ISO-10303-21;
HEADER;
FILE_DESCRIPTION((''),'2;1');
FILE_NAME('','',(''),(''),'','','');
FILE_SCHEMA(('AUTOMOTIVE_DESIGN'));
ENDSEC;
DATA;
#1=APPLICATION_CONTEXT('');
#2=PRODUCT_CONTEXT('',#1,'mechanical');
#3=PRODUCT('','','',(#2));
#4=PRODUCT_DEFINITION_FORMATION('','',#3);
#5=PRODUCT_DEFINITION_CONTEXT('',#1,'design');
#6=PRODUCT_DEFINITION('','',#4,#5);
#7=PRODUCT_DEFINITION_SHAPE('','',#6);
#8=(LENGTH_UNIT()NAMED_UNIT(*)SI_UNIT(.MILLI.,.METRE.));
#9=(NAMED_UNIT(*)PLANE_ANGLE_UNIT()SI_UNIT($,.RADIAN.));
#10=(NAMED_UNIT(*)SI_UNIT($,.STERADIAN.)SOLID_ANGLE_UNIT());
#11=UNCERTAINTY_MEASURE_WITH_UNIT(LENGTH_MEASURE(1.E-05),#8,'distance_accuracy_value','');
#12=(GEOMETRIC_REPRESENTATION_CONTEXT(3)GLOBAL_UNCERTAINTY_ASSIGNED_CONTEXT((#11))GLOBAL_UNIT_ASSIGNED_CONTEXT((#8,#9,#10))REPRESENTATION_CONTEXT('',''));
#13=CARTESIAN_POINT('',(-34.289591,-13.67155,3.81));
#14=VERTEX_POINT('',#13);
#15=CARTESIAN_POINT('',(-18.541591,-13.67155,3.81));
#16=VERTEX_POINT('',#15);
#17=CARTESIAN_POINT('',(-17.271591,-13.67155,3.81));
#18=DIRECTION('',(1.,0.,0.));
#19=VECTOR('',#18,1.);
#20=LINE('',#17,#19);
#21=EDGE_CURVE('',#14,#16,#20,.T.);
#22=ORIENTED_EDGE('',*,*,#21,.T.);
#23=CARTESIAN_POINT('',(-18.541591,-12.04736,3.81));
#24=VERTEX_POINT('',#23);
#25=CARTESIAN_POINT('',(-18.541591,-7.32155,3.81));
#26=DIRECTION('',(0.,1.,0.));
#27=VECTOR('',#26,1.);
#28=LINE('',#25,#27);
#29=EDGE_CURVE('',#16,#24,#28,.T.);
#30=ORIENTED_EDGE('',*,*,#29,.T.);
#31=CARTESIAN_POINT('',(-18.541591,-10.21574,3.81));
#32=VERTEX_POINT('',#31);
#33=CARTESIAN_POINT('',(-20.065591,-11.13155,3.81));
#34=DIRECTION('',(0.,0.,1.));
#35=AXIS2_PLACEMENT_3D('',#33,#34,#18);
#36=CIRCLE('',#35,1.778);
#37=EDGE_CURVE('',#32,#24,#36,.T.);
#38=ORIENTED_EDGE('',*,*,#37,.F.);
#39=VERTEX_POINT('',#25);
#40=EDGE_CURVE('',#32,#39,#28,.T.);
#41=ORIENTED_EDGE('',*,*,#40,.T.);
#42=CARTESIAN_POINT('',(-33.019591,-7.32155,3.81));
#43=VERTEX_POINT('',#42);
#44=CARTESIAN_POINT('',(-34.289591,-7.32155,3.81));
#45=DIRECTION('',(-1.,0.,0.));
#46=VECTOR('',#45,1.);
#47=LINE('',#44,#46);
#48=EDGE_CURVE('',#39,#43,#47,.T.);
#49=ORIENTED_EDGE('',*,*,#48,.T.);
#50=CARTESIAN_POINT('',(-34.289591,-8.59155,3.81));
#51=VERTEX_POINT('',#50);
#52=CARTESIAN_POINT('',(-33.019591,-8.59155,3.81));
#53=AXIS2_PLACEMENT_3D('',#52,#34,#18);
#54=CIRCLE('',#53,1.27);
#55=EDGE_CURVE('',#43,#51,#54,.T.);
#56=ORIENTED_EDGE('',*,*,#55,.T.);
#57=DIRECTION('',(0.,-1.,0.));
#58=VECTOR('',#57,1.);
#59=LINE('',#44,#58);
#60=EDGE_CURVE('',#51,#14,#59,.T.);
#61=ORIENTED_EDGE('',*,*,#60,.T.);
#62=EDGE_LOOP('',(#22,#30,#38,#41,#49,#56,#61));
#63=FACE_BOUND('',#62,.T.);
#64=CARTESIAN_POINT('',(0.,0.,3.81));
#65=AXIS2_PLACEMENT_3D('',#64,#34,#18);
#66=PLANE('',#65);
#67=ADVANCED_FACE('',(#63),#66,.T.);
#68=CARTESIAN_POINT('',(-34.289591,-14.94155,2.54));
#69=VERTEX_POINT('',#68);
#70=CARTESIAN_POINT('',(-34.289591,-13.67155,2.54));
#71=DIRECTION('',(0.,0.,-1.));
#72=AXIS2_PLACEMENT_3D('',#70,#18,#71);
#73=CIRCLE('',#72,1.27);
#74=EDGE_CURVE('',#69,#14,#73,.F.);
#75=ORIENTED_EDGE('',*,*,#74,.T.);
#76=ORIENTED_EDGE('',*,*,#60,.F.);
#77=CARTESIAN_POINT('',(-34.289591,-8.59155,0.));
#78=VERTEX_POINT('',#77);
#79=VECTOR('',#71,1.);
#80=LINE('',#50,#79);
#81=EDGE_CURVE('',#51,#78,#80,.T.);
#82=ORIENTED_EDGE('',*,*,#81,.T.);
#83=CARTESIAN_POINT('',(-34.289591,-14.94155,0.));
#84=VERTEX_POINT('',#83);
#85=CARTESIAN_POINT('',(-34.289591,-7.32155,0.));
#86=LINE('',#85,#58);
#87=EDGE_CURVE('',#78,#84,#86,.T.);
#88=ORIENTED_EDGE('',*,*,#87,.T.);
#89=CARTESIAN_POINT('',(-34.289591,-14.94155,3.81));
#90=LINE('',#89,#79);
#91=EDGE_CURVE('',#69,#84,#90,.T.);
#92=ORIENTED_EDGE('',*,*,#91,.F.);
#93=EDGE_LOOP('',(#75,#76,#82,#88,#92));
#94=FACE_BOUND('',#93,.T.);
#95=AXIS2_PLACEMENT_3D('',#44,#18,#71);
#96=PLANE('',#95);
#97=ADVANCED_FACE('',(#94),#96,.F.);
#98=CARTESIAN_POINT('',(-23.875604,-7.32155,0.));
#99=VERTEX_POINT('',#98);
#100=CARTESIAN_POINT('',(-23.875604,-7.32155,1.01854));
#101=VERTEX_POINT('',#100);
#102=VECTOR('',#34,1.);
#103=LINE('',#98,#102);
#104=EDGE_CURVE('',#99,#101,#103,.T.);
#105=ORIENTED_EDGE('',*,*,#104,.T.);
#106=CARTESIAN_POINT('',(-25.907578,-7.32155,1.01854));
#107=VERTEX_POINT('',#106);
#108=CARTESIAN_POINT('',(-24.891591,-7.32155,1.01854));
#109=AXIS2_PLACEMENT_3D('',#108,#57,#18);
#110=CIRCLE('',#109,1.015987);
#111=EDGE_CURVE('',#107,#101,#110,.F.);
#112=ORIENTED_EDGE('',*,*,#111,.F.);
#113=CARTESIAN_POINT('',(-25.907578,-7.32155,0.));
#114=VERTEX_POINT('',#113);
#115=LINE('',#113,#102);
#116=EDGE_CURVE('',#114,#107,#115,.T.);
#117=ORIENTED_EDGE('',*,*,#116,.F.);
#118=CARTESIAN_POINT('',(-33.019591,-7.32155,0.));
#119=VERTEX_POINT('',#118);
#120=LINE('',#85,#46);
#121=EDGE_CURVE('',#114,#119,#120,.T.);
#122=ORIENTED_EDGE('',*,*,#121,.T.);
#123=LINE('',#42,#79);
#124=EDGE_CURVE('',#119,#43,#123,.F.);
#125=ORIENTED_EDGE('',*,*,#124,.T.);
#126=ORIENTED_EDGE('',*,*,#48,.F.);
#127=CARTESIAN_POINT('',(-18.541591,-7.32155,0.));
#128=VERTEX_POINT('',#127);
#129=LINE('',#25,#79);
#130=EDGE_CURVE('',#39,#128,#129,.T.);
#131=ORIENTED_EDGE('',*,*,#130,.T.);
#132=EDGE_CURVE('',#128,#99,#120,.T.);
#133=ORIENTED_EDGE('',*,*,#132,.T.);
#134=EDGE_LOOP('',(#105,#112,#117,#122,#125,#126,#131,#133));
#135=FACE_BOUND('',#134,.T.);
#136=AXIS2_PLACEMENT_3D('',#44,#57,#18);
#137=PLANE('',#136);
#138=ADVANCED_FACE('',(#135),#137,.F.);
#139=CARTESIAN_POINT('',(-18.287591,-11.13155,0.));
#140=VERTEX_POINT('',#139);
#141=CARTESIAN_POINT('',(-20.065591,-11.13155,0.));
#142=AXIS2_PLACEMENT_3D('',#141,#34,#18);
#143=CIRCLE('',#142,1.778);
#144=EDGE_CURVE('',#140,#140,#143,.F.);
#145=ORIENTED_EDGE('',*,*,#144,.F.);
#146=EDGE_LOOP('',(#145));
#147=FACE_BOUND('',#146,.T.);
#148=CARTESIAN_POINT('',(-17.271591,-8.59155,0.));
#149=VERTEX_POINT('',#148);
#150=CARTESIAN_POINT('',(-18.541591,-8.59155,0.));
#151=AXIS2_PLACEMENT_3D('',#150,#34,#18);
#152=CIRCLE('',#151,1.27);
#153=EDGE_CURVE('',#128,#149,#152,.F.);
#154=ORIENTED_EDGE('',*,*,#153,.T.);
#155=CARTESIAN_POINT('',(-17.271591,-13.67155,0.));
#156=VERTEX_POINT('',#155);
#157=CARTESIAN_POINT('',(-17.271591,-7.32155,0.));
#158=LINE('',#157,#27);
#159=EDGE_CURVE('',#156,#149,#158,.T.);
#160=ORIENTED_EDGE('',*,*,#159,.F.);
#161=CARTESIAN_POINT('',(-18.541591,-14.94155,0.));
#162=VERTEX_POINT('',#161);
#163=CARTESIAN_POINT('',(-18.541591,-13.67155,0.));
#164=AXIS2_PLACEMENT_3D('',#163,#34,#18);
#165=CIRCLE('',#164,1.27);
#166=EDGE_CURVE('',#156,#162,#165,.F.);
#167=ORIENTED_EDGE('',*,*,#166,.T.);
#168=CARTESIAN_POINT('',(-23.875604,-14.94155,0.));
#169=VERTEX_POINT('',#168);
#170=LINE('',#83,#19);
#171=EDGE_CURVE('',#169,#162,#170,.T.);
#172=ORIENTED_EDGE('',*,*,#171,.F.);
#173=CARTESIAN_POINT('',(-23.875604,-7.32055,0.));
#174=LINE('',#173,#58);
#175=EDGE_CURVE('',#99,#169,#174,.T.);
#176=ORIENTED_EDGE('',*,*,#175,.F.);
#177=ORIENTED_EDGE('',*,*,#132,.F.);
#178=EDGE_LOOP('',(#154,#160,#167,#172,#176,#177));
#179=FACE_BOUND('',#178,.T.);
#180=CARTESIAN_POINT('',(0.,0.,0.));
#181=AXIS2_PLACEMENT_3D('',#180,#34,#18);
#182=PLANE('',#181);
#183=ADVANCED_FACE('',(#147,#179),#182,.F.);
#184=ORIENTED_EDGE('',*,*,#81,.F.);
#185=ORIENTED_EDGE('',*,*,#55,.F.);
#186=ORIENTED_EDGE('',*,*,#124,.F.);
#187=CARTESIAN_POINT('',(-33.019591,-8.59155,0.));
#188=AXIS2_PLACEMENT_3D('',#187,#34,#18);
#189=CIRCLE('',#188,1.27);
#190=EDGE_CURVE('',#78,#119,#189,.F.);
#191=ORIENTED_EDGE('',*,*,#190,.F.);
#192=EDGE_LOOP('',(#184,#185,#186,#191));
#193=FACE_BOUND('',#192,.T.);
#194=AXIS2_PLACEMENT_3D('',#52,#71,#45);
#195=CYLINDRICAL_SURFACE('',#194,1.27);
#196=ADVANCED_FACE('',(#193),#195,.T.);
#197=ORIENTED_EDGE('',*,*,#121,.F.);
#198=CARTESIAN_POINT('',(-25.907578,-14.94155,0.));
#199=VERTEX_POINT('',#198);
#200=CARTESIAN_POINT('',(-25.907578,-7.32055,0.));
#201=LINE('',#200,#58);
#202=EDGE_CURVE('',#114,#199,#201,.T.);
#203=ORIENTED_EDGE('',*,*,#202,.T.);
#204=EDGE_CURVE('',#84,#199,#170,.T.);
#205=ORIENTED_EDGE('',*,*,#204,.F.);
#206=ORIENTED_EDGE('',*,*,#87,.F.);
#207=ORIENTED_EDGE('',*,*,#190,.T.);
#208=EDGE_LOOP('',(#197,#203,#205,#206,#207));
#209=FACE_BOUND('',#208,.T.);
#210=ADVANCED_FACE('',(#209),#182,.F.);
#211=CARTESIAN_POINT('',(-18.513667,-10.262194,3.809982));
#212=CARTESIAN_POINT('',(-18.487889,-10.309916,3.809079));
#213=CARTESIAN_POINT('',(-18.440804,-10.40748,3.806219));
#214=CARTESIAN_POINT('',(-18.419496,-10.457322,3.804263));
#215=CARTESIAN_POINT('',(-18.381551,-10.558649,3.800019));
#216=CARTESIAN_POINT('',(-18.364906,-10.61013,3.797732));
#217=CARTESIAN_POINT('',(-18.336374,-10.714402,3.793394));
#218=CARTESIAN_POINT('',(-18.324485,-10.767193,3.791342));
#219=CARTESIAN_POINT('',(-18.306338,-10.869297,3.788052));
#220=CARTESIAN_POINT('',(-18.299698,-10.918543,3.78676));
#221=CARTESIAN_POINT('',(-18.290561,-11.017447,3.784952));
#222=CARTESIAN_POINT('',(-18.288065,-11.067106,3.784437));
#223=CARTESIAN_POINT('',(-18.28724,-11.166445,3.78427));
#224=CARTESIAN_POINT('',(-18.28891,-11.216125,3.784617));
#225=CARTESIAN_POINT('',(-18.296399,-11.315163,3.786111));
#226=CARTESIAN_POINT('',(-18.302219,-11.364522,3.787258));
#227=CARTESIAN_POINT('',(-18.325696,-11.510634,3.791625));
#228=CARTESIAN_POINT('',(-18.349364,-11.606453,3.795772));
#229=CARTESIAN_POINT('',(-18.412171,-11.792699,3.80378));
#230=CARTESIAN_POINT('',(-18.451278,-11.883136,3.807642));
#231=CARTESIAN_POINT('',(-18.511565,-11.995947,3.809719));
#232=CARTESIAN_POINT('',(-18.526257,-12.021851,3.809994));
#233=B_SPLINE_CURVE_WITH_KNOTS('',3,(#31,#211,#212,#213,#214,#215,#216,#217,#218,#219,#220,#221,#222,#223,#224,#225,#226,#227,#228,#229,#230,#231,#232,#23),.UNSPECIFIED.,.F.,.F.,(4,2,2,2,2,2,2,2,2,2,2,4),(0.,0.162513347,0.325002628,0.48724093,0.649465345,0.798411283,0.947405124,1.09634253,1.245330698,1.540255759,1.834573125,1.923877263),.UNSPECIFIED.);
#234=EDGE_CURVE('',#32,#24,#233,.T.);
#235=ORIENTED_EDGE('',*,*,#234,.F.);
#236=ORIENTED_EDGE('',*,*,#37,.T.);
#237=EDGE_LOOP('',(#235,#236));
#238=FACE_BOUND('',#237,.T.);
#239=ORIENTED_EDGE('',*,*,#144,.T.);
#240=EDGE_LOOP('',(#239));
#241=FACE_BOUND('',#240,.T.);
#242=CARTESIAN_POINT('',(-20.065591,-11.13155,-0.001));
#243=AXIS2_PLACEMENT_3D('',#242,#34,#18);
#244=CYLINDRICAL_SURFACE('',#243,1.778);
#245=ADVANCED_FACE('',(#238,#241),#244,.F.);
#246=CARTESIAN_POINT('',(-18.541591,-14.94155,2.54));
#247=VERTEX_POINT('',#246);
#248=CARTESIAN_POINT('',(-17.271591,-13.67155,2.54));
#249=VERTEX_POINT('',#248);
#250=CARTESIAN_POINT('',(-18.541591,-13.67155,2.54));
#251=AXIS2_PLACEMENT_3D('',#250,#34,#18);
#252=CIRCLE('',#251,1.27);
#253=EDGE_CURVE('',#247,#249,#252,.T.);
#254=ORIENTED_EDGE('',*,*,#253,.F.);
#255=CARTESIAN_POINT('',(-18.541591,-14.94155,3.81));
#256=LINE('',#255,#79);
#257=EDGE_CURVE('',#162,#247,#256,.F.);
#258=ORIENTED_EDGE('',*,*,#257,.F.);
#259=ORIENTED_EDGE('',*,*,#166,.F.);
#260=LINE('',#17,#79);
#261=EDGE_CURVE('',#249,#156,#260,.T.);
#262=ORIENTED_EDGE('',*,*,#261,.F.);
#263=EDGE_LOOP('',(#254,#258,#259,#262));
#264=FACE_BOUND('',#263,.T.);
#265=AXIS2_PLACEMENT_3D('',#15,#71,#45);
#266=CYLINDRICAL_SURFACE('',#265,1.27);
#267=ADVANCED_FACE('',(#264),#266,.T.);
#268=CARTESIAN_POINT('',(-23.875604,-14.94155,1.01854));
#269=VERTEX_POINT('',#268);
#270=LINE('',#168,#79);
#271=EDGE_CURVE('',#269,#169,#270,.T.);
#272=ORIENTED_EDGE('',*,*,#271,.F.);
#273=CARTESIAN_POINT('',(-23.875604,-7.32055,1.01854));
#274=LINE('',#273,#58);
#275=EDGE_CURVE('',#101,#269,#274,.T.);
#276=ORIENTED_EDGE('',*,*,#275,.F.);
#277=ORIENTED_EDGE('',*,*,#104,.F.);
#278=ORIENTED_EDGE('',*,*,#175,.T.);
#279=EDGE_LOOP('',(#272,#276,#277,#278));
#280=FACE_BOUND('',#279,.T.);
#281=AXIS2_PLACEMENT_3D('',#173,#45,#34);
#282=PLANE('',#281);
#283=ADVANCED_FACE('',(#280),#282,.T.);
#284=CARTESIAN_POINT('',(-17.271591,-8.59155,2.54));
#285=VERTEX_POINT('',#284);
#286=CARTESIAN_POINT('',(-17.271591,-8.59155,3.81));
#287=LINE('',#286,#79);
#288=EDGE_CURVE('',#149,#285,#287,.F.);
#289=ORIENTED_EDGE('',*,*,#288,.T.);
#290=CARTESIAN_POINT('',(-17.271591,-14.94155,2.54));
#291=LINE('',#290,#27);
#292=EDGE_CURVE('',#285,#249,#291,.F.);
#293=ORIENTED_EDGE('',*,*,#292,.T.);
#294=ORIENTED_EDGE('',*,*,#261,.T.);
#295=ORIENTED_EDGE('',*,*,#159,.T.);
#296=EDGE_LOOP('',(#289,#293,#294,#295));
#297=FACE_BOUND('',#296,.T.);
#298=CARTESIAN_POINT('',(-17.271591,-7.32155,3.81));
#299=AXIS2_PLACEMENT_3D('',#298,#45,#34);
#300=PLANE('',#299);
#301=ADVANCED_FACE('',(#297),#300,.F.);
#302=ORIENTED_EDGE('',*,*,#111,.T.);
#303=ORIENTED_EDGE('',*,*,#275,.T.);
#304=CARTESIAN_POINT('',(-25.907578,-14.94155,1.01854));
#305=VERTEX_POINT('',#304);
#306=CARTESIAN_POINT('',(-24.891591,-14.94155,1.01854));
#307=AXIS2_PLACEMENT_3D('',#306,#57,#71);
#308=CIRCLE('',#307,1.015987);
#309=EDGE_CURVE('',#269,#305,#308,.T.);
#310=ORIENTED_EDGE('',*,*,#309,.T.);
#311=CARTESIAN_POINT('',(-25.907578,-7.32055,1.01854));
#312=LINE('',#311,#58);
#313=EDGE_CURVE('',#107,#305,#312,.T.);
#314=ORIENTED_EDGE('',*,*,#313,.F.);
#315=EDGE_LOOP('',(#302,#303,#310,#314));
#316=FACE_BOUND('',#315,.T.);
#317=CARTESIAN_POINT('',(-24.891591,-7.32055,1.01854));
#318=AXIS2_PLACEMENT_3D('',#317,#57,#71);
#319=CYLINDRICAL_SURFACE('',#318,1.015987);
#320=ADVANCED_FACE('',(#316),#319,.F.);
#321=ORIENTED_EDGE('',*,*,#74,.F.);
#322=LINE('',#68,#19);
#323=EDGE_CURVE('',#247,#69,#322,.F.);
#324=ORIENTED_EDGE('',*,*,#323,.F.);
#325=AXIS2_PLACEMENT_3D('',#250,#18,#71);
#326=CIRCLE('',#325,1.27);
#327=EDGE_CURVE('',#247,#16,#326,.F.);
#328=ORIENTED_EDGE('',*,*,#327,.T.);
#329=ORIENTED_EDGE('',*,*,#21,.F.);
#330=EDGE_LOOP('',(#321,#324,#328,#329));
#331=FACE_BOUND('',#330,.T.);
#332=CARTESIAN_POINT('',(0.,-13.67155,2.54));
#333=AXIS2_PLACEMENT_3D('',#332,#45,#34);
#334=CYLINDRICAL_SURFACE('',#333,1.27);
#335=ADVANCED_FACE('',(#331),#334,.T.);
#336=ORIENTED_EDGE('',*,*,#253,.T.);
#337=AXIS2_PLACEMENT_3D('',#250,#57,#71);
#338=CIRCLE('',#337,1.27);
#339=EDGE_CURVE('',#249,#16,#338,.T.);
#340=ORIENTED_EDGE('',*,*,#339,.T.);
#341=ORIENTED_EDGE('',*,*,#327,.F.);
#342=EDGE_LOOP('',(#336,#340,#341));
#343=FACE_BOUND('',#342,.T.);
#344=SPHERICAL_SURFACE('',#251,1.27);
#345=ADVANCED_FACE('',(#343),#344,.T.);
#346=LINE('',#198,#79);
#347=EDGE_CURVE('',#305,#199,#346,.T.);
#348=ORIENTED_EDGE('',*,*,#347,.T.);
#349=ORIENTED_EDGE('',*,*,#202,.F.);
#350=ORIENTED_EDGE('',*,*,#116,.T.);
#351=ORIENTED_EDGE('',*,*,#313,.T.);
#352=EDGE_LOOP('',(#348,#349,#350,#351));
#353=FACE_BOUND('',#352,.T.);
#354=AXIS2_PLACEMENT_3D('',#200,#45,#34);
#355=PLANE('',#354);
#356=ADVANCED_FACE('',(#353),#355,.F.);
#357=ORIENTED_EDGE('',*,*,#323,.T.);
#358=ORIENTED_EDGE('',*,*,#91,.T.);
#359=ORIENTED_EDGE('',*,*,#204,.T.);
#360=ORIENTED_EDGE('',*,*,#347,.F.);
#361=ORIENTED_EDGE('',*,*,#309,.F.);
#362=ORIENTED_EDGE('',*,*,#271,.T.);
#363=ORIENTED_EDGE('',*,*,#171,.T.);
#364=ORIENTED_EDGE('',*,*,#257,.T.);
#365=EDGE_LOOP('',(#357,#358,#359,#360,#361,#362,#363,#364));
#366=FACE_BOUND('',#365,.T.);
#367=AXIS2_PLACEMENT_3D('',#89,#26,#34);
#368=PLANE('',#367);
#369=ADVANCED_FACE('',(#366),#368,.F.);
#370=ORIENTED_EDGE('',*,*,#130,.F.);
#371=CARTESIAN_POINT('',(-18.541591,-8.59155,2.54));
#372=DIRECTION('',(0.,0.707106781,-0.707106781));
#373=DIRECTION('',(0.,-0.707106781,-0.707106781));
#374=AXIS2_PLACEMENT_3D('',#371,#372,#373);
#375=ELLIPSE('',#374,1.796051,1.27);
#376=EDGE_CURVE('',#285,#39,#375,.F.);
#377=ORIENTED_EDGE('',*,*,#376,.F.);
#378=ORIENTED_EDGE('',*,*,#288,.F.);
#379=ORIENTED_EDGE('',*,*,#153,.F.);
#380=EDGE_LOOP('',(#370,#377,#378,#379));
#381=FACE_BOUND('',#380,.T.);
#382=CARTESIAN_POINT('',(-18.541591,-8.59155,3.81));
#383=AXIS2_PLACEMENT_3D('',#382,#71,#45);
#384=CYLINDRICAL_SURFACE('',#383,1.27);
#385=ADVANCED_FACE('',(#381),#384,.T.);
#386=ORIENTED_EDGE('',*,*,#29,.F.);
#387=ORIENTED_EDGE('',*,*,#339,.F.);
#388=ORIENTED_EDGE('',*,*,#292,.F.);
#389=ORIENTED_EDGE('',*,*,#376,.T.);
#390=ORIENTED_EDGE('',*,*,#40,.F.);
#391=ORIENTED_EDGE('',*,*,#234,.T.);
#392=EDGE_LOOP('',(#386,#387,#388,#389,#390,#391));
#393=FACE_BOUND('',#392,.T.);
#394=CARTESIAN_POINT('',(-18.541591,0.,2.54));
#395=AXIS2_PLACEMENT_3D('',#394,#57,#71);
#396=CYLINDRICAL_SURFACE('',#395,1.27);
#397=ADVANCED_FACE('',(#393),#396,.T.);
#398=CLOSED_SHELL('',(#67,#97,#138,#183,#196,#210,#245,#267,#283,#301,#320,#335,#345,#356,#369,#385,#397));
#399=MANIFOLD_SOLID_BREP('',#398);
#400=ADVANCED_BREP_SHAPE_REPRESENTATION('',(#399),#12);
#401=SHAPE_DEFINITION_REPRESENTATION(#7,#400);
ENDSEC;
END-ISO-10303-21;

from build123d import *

# Parameters (mm, degrees)
SKETCH1_W           = 17.018
SKETCH1_H           = 7.62
BOSS_EXTRUDE1_DEPTH = 3.81
FILLET1_R           = 1.27
CUT_EXTRUDE8_REACH  = 37.332
CUT_EXTRUDE9_REACH  = 39.597
SKETCH4_R           = 1.778


with BuildPart() as part:
    # Sketch1 → Boss-Extrude1 (new body)
    with BuildSketch(Plane.XY):
        with Locations((-25.78059107, -11.13155)):
            Rectangle(SKETCH1_W, SKETCH1_H)
    extrude(amount=BOSS_EXTRUDE1_DEPTH)

    # Fillet1
    fillet1_edges = [part.edges().sort_by_distance(p)[0] for p in [
        (-17.27159107, -11.13155, 3.81),
        (-25.78059107, -14.94155, 3.81),
        (-34.28959107, -7.32155, 1.905),
        (-17.27159107, -7.32155, 1.905),
        (-17.27159107, -14.94155, 1.905),
    ]]
    fillet(fillet1_edges, radius=FILLET1_R)

    # Sketch3 → Cut-Extrude8 (cut, up to next)
    with BuildSketch(Plane.XZ.offset(14.94155), mode=Mode.PRIVATE) as cut_extrude8_sk1:
        with BuildLine():
            Line((-23.87560377, 0), (-23.87560377, 1.01854))
            ThreePointArc((-23.87560377, 1.01854), (-24.89159107, 2.0345273), (-25.90757837, 1.01854))
            Line((-25.90757837, 1.01854), (-25.90757837, 0))
            Line((-25.90757837, 0), (-23.87560377, 0))
        make_face()
    cut_extrude8_tool1 = extrude(cut_extrude8_sk1.sketch, amount=-CUT_EXTRUDE8_REACH, mode=Mode.PRIVATE) & part.part
    add(cut_extrude8_tool1.solids().sort_by_distance((-24.891591, -14.94155, 0.922401))[0], mode=Mode.SUBTRACT)

    # Sketch4 → Cut-Extrude9 (cut, up to next)
    with BuildSketch(Plane.XY.offset(3.81), mode=Mode.PRIVATE) as cut_extrude9_sk1:
        with Locations((-20.06559107, -11.13155)):
            Circle(SKETCH4_R)
    cut_extrude9_tool1 = extrude(cut_extrude9_sk1.sketch, amount=-CUT_EXTRUDE9_REACH, mode=Mode.PRIVATE) & part.part
    add(cut_extrude9_tool1.solids().sort_by_distance((-20.065591, -11.13155, 3.81))[0], mode=Mode.SUBTRACT)


solid = part.part
